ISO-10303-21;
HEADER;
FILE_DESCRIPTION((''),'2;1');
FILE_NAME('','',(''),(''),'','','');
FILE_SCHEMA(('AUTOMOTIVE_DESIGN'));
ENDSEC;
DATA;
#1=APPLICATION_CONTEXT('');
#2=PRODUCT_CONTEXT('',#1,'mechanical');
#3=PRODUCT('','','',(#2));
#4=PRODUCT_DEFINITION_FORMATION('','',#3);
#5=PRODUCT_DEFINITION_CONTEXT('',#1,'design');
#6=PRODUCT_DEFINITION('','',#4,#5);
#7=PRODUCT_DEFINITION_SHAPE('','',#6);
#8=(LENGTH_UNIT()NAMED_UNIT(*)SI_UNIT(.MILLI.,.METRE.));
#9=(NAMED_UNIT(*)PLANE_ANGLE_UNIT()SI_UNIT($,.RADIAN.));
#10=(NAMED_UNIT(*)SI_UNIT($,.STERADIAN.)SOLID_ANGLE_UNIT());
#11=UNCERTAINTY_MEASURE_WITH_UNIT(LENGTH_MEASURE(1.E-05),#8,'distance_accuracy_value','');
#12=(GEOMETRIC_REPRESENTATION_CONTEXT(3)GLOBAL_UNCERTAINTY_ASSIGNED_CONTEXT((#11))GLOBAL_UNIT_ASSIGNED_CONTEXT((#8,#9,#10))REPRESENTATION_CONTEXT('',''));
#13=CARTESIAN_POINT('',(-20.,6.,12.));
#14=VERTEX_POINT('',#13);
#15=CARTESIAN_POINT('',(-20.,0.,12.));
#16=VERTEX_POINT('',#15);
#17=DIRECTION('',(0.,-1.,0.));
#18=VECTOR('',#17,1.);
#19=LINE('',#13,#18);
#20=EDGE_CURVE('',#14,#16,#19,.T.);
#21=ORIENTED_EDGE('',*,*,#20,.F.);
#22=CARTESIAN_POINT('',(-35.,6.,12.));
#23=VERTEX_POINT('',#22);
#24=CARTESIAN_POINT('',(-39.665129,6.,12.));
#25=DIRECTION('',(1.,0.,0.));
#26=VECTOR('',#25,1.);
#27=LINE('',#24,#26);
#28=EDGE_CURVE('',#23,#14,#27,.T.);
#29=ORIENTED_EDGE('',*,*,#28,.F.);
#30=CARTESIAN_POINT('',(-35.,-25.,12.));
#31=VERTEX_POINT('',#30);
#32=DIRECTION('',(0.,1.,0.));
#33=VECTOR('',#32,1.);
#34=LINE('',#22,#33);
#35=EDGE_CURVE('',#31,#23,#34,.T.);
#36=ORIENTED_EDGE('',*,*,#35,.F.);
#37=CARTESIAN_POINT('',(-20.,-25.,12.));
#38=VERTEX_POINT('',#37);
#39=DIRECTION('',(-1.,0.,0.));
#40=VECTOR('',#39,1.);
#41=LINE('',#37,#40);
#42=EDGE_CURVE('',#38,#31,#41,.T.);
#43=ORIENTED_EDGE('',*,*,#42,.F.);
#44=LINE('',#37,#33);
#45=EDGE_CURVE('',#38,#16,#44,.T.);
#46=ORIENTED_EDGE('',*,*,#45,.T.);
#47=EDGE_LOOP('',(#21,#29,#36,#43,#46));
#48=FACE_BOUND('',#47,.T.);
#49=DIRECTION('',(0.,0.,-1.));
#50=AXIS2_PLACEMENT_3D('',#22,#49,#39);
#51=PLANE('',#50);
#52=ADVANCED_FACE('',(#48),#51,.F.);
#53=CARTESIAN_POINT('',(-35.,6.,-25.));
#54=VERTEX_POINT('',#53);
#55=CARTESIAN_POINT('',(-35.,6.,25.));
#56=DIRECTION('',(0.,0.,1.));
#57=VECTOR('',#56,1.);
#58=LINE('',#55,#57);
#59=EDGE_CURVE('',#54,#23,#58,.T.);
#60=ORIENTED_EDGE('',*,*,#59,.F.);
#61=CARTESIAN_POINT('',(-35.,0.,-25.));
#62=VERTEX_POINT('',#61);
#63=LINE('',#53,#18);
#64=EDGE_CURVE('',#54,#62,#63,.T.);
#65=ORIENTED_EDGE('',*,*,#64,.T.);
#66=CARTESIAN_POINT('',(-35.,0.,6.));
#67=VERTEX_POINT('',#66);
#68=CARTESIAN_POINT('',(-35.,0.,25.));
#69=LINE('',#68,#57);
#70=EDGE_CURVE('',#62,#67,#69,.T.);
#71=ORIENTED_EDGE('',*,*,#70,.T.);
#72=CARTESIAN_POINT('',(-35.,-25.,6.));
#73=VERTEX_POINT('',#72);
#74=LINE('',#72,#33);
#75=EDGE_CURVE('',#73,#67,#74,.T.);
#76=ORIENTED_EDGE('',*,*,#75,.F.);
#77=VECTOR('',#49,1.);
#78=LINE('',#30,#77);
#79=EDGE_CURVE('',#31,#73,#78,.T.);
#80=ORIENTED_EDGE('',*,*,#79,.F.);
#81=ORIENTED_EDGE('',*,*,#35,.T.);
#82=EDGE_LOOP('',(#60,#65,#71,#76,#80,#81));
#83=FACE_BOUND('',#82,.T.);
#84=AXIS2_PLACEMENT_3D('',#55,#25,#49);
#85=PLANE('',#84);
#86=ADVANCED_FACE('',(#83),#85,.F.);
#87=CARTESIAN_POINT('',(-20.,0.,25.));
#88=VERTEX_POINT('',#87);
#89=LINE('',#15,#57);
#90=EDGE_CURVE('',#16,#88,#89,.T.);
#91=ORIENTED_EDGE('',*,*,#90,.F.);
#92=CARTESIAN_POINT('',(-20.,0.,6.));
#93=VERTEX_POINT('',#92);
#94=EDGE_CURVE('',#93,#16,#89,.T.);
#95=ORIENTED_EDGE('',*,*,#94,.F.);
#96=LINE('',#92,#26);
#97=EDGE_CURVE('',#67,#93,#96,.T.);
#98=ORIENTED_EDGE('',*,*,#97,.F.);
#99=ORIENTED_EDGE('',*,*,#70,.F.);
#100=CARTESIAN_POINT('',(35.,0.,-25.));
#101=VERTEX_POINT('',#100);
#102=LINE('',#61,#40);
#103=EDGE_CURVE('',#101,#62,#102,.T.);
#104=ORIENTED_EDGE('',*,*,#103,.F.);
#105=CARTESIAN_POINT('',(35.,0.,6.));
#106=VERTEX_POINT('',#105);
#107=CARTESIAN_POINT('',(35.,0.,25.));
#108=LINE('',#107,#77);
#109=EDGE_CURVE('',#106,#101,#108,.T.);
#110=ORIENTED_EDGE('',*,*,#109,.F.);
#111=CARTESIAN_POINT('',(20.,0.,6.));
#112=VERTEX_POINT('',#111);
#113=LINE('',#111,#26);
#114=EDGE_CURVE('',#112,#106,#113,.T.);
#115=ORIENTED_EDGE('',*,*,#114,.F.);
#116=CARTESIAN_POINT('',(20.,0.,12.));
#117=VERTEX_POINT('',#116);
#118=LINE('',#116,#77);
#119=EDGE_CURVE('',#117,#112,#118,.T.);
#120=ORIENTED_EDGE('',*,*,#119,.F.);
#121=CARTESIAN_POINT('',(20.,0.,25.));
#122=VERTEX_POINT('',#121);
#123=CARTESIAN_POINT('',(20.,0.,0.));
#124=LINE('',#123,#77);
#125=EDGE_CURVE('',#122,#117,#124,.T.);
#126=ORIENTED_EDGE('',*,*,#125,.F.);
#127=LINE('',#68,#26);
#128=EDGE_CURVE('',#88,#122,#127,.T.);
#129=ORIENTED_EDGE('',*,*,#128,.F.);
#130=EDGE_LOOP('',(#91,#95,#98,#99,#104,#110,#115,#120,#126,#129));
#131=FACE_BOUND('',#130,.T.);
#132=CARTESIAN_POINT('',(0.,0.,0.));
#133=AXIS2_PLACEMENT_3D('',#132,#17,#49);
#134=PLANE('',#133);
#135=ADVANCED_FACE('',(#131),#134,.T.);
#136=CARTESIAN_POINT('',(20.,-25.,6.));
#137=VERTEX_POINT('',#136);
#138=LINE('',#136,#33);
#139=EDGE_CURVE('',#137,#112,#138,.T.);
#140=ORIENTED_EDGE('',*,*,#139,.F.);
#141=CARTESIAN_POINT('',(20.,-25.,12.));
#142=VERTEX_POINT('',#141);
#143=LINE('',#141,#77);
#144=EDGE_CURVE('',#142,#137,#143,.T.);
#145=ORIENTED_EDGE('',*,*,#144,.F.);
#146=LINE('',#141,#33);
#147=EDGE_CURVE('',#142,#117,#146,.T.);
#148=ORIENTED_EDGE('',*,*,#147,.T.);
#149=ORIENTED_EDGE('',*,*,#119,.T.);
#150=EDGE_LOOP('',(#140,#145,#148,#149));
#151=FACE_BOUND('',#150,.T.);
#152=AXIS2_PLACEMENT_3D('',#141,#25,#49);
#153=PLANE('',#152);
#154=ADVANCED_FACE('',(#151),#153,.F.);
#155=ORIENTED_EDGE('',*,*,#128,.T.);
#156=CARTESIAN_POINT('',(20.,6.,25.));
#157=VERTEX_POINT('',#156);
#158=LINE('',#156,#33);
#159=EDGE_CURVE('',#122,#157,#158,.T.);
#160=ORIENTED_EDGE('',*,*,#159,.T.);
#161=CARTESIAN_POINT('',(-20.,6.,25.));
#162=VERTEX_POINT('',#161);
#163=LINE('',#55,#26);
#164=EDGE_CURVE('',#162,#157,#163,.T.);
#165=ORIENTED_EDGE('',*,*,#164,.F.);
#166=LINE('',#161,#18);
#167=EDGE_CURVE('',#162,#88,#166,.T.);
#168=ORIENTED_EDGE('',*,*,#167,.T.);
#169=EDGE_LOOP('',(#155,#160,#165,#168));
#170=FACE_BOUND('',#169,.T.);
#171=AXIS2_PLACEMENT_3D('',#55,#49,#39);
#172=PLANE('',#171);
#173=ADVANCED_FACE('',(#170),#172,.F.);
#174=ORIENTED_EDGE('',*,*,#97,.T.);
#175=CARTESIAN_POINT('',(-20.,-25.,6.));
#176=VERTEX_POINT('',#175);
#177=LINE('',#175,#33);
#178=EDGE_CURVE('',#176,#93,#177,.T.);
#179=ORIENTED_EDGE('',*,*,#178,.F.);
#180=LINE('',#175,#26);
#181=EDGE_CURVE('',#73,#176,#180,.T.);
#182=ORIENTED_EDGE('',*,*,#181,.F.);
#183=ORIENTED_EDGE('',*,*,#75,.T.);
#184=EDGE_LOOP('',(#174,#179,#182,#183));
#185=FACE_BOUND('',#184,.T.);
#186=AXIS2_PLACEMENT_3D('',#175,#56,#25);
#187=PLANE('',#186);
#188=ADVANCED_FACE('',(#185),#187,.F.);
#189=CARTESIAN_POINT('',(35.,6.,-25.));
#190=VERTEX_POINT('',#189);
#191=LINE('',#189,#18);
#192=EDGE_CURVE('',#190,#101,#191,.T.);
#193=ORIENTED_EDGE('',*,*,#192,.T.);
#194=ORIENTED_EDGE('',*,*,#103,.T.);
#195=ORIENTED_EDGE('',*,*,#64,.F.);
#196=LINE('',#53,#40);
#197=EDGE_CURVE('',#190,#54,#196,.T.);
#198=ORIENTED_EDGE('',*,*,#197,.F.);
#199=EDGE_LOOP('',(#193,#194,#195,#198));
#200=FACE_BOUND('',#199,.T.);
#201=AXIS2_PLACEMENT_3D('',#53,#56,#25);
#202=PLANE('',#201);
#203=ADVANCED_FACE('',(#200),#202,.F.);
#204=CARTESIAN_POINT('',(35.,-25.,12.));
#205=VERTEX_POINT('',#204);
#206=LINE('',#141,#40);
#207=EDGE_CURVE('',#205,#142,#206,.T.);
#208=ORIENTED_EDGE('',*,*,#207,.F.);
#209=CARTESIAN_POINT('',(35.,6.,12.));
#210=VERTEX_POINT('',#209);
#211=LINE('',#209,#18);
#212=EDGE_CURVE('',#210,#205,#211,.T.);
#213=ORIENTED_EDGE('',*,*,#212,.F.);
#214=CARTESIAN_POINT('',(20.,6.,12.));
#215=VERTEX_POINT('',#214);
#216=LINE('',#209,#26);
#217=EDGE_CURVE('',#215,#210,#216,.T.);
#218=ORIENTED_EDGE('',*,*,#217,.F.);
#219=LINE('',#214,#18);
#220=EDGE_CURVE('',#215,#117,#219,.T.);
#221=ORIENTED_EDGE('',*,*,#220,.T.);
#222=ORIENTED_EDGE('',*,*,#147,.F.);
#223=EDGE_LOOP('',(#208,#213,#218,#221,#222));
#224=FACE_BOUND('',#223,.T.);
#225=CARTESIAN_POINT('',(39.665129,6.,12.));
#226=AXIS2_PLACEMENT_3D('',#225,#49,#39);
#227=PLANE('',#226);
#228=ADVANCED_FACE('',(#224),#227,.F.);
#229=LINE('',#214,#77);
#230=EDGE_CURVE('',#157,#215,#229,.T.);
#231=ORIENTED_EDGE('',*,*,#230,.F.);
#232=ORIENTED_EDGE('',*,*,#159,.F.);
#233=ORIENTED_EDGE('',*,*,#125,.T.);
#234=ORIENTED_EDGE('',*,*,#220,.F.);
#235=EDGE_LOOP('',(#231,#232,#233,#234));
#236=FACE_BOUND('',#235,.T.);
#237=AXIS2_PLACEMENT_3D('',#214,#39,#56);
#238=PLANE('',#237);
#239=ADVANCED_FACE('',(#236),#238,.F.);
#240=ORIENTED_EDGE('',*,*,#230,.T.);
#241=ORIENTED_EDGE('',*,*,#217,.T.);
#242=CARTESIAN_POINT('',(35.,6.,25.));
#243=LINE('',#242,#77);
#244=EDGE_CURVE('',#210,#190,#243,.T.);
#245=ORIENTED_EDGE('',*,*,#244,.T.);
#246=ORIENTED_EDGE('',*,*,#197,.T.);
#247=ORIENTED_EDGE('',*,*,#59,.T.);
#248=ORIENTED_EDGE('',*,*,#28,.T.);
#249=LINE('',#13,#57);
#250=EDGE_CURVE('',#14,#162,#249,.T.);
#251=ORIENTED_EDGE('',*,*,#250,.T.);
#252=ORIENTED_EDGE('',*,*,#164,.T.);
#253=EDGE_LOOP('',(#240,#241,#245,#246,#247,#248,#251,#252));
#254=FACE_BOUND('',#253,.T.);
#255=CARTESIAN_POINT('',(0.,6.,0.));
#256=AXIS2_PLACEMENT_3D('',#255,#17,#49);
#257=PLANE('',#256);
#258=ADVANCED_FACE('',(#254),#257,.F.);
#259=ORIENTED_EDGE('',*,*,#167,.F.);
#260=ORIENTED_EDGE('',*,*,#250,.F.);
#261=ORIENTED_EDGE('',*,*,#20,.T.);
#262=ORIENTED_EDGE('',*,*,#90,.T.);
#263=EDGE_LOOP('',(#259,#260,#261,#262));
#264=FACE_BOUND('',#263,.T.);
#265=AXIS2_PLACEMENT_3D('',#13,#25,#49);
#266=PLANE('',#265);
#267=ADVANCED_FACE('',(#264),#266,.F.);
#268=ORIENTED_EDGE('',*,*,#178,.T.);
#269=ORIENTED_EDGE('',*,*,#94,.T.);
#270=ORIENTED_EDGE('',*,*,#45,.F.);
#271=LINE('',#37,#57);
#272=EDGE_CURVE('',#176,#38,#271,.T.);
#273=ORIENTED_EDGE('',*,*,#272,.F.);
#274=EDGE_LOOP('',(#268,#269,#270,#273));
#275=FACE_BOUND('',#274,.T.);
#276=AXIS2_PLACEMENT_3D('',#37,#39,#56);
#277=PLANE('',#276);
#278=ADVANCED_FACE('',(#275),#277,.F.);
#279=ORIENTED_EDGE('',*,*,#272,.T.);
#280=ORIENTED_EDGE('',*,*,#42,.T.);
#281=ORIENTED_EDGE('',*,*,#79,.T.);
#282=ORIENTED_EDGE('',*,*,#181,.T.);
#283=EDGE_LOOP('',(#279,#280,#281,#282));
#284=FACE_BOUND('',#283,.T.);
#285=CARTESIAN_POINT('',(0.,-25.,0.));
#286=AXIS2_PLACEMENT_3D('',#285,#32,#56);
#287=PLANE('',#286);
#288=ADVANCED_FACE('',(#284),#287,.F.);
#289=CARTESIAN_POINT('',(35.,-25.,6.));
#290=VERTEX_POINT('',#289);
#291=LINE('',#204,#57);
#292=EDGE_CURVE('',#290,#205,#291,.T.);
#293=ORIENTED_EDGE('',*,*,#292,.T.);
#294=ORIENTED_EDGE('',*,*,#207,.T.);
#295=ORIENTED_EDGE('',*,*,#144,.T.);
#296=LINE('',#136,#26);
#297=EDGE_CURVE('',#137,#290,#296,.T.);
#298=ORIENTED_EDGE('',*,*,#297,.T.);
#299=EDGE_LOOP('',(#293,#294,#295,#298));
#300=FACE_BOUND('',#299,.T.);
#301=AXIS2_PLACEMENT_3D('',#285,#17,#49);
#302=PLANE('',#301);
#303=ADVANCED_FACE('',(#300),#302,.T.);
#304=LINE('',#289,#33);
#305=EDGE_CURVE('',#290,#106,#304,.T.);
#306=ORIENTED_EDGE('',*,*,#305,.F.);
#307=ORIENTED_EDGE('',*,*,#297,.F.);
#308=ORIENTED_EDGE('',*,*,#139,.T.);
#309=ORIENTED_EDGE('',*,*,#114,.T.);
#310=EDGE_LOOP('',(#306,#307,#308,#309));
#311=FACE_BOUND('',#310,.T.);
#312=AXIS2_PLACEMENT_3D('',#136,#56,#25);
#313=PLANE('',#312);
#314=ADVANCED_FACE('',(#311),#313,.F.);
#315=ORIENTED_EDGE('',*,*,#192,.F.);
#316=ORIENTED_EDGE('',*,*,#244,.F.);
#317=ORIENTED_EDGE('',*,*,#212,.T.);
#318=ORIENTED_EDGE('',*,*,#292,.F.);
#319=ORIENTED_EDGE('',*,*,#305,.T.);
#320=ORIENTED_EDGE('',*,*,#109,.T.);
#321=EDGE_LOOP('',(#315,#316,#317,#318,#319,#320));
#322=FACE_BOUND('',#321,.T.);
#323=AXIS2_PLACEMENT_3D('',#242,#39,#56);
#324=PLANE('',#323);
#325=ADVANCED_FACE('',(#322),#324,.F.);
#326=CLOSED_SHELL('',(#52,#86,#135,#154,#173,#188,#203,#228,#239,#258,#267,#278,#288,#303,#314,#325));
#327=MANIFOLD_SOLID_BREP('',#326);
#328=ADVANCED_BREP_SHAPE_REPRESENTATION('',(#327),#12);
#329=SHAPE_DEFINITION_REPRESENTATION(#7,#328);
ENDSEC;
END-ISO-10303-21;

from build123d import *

# Parameters (mm, degrees)
SKETCH1_W           = 70
SKETCH1_H           = 50
BOSS_EXTRUDE1_DEPTH = 6
CUT_EXTRUDE1_DEPTH  = 44.428101501
SKETCH3_W           = 15
SKETCH3_H           = 6
BOSS_EXTRUDE2_DEPTH = 25


with BuildPart() as part:
    # Sketch1 → Boss-Extrude1 (new body)
    with BuildSketch(Plane(origin=(0, 0, 0), x_dir=(1, 0, 0), z_dir=(0, 1, 0))):
        Rectangle(SKETCH1_W, SKETCH1_H)
    extrude(amount=BOSS_EXTRUDE1_DEPTH)

    # Sketch2 → Cut-Extrude1 (cut, through all)
    with BuildSketch(Plane.XZ):
        Polygon((-35, 12), (-20, 12), (-20, 37.174487296), (-39.665128523, 37.174487296), (-39.665128523, 12), align=None)
        Polygon((39.665128523, 12), (35, 12), (20, 12), (20, 37.174487296), (39.665128523, 37.174487296), align=None)
    extrude(amount=-CUT_EXTRUDE1_DEPTH, mode=Mode.SUBTRACT)

    # Sketch3 → Boss-Extrude2 (add)
    with BuildSketch(Plane.XZ):
        with Locations((-27.5, 9)):
            Rectangle(SKETCH3_W, SKETCH3_H)
        with Locations((27.5, 9)):
            Rectangle(SKETCH3_W, SKETCH3_H)
    extrude(amount=BOSS_EXTRUDE2_DEPTH)


solid = part.part
